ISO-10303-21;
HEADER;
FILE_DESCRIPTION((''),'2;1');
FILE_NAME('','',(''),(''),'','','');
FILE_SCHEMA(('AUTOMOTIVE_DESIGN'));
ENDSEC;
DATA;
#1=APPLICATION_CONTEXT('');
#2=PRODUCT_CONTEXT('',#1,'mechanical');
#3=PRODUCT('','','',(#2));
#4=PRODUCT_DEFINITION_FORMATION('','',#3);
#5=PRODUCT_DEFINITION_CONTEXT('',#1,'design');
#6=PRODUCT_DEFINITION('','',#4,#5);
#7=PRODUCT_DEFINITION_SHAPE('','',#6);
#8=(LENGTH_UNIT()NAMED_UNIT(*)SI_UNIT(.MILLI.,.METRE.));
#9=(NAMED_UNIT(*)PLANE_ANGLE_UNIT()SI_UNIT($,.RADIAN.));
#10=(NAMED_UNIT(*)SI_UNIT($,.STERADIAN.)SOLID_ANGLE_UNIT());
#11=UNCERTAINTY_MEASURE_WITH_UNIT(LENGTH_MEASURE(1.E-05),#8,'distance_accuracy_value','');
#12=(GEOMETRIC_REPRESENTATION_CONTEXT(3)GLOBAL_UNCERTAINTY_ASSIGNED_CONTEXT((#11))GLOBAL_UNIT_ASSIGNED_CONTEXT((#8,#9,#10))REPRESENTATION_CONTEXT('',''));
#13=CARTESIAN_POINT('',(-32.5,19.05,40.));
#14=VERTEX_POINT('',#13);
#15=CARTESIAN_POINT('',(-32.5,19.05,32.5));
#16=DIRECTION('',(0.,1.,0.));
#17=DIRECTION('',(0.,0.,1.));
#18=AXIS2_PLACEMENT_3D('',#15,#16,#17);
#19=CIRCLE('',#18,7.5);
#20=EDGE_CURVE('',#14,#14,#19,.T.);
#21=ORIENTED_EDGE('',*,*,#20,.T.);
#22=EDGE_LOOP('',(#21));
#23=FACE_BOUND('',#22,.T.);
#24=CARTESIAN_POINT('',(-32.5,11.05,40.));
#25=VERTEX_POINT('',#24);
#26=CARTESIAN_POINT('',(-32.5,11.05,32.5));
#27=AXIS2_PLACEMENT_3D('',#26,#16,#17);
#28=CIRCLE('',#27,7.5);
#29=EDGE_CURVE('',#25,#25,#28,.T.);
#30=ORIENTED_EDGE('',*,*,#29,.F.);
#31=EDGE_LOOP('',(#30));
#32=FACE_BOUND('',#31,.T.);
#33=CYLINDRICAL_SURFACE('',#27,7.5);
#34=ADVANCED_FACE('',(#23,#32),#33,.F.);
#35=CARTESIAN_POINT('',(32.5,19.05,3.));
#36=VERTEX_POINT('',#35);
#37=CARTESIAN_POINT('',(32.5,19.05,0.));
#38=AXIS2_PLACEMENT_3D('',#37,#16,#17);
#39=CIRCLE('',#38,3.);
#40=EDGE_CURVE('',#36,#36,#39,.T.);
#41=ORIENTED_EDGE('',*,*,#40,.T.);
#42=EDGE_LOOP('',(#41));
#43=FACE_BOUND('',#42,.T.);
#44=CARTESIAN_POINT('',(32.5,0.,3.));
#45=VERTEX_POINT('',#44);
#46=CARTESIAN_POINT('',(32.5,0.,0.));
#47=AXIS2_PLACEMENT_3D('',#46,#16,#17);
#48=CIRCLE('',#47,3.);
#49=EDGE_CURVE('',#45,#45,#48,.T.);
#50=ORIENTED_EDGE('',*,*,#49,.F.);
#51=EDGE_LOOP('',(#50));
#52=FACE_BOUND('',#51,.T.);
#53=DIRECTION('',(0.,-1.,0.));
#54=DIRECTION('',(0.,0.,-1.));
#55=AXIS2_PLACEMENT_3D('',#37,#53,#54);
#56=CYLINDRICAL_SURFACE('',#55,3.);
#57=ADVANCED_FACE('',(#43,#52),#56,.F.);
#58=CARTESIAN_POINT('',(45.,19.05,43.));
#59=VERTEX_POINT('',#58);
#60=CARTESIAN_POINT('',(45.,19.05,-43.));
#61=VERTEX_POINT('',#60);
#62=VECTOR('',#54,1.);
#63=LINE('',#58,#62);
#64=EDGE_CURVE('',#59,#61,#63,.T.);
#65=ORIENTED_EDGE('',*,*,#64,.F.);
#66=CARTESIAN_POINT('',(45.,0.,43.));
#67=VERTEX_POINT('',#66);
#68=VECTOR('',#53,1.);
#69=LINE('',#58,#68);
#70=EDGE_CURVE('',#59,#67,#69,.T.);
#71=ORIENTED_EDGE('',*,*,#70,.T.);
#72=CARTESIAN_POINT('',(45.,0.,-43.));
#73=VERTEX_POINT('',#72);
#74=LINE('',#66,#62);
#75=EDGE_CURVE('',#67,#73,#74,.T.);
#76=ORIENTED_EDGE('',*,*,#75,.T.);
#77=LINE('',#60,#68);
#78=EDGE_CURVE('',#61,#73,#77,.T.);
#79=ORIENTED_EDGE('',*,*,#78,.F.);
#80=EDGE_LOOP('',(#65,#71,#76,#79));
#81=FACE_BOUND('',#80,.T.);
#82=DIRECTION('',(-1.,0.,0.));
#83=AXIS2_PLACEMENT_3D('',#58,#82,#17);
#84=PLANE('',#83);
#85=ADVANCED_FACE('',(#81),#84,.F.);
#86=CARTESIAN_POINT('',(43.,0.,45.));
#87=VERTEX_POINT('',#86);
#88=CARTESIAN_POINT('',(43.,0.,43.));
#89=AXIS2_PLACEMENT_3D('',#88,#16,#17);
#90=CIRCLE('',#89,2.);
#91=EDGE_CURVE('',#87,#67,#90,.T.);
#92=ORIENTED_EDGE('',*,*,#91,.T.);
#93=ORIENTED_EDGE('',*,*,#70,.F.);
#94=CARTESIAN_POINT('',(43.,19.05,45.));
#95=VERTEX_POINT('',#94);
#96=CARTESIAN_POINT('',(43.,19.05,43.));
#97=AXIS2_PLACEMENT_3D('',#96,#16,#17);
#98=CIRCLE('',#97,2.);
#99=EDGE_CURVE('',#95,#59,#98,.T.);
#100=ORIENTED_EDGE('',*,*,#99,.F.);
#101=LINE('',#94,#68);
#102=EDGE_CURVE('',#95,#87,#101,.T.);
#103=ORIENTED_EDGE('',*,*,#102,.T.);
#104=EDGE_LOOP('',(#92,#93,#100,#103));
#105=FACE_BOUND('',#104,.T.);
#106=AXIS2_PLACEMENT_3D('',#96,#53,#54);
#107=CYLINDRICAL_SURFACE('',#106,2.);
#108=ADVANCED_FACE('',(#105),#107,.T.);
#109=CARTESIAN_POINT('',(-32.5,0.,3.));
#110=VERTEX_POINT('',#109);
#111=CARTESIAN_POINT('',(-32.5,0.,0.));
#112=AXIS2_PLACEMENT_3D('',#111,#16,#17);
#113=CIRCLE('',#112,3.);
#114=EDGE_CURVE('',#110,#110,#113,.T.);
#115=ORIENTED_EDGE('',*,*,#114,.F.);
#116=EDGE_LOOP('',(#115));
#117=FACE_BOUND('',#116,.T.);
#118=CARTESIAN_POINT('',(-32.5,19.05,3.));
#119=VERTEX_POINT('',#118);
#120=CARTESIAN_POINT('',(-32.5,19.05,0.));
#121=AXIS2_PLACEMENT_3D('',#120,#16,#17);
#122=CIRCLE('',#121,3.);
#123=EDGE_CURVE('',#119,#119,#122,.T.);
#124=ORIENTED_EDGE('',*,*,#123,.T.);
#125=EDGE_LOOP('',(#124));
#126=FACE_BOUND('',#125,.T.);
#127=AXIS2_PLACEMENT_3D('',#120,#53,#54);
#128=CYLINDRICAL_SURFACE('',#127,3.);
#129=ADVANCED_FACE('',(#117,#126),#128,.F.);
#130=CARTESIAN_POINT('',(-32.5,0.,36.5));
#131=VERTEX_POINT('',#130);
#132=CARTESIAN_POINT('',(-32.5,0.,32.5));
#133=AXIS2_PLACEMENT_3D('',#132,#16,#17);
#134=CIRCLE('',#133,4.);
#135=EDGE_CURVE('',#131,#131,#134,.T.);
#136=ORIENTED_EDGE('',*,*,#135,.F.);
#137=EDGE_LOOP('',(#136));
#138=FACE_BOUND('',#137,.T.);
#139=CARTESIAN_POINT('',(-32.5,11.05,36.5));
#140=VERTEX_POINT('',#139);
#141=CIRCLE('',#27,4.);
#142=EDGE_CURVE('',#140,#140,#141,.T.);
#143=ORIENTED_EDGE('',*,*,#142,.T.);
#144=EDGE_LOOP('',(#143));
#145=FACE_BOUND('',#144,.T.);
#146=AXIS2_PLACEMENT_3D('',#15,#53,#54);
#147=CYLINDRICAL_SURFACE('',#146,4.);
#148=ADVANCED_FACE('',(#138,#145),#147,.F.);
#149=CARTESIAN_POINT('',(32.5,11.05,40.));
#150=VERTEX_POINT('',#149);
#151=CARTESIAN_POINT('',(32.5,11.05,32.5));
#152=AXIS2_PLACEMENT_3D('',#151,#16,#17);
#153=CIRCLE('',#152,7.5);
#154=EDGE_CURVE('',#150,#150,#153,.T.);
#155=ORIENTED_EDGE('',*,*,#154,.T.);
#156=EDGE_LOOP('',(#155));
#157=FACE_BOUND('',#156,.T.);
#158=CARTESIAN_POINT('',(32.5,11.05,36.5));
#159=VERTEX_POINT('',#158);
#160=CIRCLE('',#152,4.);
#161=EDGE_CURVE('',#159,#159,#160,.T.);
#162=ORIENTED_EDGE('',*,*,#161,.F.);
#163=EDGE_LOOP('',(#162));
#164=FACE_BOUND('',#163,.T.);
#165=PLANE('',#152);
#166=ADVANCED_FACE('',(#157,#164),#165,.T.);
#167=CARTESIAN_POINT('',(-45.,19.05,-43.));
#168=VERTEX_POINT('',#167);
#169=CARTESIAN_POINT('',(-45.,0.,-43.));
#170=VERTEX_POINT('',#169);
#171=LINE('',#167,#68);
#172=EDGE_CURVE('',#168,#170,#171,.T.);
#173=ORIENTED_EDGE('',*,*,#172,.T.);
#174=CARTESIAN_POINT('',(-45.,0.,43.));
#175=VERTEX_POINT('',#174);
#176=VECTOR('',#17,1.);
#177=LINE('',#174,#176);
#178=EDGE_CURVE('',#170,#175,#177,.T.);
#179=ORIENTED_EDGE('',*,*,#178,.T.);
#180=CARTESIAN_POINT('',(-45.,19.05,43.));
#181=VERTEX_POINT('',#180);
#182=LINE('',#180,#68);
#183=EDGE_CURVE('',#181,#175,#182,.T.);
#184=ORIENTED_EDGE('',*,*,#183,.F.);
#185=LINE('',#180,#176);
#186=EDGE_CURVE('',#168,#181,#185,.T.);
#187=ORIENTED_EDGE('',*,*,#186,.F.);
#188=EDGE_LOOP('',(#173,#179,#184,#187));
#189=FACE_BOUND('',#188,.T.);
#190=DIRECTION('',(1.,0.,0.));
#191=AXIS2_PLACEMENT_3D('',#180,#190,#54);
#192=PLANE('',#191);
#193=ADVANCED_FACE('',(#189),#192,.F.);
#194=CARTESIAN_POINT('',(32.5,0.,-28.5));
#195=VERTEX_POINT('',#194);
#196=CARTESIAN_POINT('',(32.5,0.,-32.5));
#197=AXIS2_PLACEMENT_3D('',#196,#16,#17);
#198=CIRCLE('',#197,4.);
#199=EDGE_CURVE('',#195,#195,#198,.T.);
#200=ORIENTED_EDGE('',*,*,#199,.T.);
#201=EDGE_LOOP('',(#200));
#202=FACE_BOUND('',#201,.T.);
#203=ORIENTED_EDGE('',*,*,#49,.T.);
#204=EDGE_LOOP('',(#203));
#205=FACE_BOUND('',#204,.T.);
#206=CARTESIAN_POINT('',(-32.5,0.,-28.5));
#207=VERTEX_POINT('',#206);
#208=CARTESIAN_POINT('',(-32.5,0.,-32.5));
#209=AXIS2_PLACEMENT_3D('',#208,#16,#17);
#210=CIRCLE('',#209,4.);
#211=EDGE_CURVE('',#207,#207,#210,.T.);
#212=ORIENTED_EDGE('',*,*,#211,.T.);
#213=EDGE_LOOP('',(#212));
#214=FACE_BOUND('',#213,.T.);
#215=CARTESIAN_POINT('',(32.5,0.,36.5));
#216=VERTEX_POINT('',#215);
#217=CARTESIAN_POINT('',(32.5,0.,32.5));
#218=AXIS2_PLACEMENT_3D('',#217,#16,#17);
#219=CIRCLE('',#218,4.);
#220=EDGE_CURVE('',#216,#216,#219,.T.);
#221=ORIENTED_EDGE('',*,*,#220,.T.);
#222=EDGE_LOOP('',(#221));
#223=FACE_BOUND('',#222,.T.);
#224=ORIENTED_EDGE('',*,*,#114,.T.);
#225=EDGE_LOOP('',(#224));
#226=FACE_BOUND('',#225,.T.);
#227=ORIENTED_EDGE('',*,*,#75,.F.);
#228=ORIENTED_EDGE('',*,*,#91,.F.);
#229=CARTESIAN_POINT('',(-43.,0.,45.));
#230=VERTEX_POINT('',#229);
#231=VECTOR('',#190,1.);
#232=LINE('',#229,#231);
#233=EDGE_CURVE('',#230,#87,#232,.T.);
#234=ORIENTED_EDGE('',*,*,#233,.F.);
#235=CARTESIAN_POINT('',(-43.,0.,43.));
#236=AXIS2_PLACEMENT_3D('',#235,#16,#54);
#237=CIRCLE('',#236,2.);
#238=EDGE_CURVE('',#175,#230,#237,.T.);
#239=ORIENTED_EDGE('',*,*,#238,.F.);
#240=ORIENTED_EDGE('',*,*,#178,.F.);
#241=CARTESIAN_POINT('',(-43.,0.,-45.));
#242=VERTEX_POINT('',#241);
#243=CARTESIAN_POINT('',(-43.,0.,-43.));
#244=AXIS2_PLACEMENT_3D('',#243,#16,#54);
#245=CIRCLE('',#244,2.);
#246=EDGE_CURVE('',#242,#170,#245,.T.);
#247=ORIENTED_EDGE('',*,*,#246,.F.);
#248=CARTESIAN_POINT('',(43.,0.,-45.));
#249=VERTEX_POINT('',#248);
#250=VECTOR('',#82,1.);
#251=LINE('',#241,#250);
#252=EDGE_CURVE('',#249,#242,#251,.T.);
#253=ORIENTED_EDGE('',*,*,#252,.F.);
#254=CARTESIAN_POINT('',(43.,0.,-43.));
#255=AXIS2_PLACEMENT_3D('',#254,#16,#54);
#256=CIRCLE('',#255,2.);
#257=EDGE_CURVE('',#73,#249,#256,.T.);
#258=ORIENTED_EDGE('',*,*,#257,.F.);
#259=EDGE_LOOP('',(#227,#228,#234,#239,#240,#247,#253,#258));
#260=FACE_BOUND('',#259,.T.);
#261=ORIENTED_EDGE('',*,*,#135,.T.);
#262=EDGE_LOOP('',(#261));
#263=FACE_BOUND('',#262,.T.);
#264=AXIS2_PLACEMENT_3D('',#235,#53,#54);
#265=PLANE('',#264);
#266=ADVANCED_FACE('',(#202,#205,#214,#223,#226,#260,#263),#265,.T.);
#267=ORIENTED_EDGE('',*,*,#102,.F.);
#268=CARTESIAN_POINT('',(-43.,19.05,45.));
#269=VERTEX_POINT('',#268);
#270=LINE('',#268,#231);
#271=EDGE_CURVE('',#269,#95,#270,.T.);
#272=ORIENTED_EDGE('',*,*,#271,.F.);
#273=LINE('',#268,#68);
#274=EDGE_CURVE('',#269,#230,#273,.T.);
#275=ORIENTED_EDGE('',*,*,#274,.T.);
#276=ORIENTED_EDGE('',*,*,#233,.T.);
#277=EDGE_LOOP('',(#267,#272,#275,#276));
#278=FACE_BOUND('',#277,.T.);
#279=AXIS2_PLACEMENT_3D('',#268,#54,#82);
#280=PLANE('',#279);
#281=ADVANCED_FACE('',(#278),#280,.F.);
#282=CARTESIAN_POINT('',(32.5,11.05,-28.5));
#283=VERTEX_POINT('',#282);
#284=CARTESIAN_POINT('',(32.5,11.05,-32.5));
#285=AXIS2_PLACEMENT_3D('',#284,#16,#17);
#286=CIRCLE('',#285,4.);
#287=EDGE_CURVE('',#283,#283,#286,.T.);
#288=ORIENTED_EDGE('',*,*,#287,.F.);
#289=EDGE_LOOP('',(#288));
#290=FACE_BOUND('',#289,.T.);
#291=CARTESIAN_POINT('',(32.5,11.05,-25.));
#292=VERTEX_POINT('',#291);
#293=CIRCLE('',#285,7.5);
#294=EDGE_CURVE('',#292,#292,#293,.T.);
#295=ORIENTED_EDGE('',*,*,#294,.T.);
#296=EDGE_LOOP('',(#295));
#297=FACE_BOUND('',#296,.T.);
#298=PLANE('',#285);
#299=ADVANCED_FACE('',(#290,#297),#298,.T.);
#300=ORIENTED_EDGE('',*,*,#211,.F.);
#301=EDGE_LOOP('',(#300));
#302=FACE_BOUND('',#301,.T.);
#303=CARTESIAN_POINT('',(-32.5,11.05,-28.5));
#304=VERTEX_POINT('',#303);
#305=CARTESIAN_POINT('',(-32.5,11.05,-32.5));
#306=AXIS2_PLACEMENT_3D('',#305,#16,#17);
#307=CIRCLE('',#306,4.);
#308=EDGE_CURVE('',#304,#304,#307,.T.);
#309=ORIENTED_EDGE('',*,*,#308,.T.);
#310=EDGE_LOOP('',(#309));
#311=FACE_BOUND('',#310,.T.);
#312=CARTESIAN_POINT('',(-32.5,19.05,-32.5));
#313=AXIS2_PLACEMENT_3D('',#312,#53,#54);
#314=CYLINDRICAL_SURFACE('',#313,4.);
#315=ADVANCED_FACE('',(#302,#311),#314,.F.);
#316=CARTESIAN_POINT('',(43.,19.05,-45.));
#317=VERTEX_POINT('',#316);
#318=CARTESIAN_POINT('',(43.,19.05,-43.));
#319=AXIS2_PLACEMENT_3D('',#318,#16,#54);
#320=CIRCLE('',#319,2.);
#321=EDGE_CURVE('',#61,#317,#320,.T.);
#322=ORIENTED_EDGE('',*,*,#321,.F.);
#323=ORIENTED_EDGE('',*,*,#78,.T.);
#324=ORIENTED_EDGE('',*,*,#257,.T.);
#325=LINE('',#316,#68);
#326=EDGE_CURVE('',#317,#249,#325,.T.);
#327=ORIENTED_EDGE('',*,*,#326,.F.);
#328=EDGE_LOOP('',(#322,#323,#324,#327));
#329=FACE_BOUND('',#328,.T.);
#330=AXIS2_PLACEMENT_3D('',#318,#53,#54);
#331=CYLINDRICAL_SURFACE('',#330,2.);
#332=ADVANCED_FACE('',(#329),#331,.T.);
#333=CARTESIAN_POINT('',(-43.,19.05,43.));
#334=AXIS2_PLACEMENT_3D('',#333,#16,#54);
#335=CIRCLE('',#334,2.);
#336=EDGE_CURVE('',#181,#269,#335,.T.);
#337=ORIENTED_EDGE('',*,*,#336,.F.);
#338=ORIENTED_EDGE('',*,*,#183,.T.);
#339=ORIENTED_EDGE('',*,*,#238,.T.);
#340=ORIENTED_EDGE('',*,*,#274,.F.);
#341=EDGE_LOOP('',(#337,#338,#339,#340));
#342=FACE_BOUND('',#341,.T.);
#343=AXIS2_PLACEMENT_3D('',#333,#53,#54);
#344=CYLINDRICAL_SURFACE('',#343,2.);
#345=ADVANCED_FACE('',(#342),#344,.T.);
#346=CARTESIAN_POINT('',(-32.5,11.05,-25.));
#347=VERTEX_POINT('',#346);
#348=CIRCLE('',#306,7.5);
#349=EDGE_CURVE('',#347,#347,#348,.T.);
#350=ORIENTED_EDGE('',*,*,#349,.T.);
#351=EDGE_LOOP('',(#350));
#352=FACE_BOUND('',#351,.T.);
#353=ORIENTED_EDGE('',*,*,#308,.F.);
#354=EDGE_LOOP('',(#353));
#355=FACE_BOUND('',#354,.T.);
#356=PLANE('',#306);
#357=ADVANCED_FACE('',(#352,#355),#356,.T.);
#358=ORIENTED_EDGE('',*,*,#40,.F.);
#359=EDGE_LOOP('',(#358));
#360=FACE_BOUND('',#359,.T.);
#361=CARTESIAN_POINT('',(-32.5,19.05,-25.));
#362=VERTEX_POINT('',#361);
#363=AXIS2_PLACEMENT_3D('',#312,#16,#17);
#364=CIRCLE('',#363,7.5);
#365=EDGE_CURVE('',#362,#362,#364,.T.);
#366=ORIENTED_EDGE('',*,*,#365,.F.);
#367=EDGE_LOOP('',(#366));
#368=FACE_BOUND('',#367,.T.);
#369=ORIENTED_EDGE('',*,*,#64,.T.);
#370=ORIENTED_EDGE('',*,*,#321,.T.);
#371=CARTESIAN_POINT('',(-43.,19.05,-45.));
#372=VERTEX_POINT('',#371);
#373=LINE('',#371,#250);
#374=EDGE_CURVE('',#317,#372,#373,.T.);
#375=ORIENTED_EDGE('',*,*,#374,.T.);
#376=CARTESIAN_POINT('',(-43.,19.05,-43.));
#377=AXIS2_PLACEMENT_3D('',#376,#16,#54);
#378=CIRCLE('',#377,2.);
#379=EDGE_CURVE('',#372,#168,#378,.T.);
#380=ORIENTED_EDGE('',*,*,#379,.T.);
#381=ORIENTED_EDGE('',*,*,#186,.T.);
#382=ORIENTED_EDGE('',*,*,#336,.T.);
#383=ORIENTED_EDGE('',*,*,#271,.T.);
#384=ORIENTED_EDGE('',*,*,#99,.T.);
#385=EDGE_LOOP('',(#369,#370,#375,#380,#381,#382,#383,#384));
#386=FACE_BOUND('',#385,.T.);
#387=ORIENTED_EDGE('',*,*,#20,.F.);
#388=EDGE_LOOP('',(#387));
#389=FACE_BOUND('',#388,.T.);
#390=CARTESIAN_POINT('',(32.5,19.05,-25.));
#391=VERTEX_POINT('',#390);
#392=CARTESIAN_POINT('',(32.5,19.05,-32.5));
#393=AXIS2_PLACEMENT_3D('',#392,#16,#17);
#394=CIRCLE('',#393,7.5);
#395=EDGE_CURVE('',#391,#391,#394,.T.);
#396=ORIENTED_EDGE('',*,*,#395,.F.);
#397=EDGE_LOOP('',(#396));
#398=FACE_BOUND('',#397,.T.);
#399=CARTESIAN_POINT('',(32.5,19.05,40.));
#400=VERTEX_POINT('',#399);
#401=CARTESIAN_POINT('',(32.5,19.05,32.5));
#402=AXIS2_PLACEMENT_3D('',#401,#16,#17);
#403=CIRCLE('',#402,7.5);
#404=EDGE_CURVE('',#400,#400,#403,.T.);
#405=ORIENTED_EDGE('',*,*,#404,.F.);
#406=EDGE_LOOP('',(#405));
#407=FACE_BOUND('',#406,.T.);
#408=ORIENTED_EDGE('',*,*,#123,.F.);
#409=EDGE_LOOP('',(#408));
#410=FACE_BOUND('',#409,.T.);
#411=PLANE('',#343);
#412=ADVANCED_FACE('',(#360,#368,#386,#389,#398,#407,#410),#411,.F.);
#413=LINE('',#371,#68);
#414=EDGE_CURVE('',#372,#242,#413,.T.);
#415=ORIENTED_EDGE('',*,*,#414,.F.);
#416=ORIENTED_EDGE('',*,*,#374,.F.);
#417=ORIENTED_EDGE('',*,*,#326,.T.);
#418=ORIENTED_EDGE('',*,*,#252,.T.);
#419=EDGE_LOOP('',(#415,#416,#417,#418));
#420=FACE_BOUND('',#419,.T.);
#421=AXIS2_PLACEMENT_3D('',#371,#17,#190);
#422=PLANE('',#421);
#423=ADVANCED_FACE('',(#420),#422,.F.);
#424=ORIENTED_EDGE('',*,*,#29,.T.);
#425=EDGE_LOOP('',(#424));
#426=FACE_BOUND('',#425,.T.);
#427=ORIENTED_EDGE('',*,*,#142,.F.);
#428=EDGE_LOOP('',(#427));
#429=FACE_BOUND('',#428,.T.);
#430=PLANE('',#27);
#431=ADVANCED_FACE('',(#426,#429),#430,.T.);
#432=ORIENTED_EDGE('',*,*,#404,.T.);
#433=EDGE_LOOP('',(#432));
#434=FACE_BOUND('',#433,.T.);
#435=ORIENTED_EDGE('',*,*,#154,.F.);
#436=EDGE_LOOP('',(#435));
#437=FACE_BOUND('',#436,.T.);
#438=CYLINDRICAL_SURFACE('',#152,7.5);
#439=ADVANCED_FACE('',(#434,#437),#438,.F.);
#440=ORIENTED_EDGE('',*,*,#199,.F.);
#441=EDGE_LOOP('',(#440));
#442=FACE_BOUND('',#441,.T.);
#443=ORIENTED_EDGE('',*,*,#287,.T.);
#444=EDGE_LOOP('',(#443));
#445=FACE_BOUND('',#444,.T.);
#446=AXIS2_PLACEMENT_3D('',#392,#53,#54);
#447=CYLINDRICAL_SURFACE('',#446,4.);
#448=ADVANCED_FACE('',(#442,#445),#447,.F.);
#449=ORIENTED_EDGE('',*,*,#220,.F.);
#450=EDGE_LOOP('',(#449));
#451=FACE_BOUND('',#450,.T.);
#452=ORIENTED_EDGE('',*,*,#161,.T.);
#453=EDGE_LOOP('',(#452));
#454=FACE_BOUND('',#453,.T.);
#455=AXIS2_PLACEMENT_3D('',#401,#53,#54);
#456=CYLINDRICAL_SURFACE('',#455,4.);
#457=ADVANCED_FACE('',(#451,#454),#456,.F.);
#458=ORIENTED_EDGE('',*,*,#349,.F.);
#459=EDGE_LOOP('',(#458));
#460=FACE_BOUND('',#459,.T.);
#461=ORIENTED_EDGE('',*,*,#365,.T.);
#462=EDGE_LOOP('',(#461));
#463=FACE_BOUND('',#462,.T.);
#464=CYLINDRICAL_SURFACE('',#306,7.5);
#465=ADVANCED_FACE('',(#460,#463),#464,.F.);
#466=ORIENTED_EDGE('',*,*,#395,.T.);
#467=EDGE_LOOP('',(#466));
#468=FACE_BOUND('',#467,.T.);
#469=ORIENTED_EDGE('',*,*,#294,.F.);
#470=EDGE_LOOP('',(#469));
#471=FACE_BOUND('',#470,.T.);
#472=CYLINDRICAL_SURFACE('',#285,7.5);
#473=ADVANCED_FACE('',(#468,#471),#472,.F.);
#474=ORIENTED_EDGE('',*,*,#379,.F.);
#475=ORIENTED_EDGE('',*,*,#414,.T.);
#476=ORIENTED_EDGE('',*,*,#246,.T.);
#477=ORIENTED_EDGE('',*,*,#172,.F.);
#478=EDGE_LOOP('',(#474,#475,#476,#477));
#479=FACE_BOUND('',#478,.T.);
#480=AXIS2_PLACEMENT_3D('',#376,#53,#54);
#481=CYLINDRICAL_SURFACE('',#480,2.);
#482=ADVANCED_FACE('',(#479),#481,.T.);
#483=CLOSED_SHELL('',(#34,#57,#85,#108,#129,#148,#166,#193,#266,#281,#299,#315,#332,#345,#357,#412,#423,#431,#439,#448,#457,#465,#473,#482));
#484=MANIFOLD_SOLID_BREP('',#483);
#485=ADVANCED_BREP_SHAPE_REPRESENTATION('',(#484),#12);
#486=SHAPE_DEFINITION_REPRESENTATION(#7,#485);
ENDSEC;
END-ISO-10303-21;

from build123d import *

# Parameters (mm, degrees)
SKETCH1_R           = 4
SKETCH1_R_2         = 3
BOSS_EXTRUDE1_DEPTH = 19.05
SKETCH2_R           = 7.5
CUT_EXTRUDE1_DEPTH  = 8


with BuildPart() as part:
    # Sketch1 → Boss-Extrude1 (new body)
    with BuildSketch(Plane(origin=(0, 0, 0), x_dir=(1, 0, 0), z_dir=(0, 1, 0))):
        with BuildLine():
            Line((-43, -45), (43, -45))
            ThreePointArc((43, -45), (44.414213562, -44.414213562), (45, -43))
            Line((45, -43), (45, 43))
            ThreePointArc((45, 43), (44.414213562, 44.414213562), (43, 45))
            Line((43, 45), (-43, 45))
            ThreePointArc((-43, 45), (-44.414213562, 44.414213562), (-45, 43))
            Line((-45, 43), (-45, -43))
            ThreePointArc((-45, -43), (-44.414213562, -44.414213562), (-43, -45))
        make_face()
        with Locations((-32.5, 32.5)):
            Circle(SKETCH1_R, mode=Mode.SUBTRACT)
        with Locations((32.5, 32.5)):
            Circle(SKETCH1_R, mode=Mode.SUBTRACT)
        with Locations((32.5, -32.5)):
            Circle(SKETCH1_R, mode=Mode.SUBTRACT)
        with Locations((-32.5, -32.5)):
            Circle(SKETCH1_R, mode=Mode.SUBTRACT)
        with Locations((-32.5, 0)):
            Circle(SKETCH1_R_2, mode=Mode.SUBTRACT)
        with Locations((32.5, 0)):
            Circle(SKETCH1_R_2, mode=Mode.SUBTRACT)
    extrude(amount=BOSS_EXTRUDE1_DEPTH)

    # Sketch2 → Cut-Extrude1 (cut)
    with BuildSketch(Plane(origin=(0, 19.05, 0), x_dir=(1, 0, 0), z_dir=(0, 1, 0))):
        with Locations((-32.5, -32.5)):
            Circle(SKETCH2_R)
        with Locations((32.5, -32.5)):
            Circle(SKETCH2_R)
        with Locations((32.5, 32.5)):
            Circle(SKETCH2_R)
        with Locations((-32.5, 32.5)):
            Circle(SKETCH2_R)
    extrude(amount=-CUT_EXTRUDE1_DEPTH, mode=Mode.SUBTRACT)


solid = part.part
